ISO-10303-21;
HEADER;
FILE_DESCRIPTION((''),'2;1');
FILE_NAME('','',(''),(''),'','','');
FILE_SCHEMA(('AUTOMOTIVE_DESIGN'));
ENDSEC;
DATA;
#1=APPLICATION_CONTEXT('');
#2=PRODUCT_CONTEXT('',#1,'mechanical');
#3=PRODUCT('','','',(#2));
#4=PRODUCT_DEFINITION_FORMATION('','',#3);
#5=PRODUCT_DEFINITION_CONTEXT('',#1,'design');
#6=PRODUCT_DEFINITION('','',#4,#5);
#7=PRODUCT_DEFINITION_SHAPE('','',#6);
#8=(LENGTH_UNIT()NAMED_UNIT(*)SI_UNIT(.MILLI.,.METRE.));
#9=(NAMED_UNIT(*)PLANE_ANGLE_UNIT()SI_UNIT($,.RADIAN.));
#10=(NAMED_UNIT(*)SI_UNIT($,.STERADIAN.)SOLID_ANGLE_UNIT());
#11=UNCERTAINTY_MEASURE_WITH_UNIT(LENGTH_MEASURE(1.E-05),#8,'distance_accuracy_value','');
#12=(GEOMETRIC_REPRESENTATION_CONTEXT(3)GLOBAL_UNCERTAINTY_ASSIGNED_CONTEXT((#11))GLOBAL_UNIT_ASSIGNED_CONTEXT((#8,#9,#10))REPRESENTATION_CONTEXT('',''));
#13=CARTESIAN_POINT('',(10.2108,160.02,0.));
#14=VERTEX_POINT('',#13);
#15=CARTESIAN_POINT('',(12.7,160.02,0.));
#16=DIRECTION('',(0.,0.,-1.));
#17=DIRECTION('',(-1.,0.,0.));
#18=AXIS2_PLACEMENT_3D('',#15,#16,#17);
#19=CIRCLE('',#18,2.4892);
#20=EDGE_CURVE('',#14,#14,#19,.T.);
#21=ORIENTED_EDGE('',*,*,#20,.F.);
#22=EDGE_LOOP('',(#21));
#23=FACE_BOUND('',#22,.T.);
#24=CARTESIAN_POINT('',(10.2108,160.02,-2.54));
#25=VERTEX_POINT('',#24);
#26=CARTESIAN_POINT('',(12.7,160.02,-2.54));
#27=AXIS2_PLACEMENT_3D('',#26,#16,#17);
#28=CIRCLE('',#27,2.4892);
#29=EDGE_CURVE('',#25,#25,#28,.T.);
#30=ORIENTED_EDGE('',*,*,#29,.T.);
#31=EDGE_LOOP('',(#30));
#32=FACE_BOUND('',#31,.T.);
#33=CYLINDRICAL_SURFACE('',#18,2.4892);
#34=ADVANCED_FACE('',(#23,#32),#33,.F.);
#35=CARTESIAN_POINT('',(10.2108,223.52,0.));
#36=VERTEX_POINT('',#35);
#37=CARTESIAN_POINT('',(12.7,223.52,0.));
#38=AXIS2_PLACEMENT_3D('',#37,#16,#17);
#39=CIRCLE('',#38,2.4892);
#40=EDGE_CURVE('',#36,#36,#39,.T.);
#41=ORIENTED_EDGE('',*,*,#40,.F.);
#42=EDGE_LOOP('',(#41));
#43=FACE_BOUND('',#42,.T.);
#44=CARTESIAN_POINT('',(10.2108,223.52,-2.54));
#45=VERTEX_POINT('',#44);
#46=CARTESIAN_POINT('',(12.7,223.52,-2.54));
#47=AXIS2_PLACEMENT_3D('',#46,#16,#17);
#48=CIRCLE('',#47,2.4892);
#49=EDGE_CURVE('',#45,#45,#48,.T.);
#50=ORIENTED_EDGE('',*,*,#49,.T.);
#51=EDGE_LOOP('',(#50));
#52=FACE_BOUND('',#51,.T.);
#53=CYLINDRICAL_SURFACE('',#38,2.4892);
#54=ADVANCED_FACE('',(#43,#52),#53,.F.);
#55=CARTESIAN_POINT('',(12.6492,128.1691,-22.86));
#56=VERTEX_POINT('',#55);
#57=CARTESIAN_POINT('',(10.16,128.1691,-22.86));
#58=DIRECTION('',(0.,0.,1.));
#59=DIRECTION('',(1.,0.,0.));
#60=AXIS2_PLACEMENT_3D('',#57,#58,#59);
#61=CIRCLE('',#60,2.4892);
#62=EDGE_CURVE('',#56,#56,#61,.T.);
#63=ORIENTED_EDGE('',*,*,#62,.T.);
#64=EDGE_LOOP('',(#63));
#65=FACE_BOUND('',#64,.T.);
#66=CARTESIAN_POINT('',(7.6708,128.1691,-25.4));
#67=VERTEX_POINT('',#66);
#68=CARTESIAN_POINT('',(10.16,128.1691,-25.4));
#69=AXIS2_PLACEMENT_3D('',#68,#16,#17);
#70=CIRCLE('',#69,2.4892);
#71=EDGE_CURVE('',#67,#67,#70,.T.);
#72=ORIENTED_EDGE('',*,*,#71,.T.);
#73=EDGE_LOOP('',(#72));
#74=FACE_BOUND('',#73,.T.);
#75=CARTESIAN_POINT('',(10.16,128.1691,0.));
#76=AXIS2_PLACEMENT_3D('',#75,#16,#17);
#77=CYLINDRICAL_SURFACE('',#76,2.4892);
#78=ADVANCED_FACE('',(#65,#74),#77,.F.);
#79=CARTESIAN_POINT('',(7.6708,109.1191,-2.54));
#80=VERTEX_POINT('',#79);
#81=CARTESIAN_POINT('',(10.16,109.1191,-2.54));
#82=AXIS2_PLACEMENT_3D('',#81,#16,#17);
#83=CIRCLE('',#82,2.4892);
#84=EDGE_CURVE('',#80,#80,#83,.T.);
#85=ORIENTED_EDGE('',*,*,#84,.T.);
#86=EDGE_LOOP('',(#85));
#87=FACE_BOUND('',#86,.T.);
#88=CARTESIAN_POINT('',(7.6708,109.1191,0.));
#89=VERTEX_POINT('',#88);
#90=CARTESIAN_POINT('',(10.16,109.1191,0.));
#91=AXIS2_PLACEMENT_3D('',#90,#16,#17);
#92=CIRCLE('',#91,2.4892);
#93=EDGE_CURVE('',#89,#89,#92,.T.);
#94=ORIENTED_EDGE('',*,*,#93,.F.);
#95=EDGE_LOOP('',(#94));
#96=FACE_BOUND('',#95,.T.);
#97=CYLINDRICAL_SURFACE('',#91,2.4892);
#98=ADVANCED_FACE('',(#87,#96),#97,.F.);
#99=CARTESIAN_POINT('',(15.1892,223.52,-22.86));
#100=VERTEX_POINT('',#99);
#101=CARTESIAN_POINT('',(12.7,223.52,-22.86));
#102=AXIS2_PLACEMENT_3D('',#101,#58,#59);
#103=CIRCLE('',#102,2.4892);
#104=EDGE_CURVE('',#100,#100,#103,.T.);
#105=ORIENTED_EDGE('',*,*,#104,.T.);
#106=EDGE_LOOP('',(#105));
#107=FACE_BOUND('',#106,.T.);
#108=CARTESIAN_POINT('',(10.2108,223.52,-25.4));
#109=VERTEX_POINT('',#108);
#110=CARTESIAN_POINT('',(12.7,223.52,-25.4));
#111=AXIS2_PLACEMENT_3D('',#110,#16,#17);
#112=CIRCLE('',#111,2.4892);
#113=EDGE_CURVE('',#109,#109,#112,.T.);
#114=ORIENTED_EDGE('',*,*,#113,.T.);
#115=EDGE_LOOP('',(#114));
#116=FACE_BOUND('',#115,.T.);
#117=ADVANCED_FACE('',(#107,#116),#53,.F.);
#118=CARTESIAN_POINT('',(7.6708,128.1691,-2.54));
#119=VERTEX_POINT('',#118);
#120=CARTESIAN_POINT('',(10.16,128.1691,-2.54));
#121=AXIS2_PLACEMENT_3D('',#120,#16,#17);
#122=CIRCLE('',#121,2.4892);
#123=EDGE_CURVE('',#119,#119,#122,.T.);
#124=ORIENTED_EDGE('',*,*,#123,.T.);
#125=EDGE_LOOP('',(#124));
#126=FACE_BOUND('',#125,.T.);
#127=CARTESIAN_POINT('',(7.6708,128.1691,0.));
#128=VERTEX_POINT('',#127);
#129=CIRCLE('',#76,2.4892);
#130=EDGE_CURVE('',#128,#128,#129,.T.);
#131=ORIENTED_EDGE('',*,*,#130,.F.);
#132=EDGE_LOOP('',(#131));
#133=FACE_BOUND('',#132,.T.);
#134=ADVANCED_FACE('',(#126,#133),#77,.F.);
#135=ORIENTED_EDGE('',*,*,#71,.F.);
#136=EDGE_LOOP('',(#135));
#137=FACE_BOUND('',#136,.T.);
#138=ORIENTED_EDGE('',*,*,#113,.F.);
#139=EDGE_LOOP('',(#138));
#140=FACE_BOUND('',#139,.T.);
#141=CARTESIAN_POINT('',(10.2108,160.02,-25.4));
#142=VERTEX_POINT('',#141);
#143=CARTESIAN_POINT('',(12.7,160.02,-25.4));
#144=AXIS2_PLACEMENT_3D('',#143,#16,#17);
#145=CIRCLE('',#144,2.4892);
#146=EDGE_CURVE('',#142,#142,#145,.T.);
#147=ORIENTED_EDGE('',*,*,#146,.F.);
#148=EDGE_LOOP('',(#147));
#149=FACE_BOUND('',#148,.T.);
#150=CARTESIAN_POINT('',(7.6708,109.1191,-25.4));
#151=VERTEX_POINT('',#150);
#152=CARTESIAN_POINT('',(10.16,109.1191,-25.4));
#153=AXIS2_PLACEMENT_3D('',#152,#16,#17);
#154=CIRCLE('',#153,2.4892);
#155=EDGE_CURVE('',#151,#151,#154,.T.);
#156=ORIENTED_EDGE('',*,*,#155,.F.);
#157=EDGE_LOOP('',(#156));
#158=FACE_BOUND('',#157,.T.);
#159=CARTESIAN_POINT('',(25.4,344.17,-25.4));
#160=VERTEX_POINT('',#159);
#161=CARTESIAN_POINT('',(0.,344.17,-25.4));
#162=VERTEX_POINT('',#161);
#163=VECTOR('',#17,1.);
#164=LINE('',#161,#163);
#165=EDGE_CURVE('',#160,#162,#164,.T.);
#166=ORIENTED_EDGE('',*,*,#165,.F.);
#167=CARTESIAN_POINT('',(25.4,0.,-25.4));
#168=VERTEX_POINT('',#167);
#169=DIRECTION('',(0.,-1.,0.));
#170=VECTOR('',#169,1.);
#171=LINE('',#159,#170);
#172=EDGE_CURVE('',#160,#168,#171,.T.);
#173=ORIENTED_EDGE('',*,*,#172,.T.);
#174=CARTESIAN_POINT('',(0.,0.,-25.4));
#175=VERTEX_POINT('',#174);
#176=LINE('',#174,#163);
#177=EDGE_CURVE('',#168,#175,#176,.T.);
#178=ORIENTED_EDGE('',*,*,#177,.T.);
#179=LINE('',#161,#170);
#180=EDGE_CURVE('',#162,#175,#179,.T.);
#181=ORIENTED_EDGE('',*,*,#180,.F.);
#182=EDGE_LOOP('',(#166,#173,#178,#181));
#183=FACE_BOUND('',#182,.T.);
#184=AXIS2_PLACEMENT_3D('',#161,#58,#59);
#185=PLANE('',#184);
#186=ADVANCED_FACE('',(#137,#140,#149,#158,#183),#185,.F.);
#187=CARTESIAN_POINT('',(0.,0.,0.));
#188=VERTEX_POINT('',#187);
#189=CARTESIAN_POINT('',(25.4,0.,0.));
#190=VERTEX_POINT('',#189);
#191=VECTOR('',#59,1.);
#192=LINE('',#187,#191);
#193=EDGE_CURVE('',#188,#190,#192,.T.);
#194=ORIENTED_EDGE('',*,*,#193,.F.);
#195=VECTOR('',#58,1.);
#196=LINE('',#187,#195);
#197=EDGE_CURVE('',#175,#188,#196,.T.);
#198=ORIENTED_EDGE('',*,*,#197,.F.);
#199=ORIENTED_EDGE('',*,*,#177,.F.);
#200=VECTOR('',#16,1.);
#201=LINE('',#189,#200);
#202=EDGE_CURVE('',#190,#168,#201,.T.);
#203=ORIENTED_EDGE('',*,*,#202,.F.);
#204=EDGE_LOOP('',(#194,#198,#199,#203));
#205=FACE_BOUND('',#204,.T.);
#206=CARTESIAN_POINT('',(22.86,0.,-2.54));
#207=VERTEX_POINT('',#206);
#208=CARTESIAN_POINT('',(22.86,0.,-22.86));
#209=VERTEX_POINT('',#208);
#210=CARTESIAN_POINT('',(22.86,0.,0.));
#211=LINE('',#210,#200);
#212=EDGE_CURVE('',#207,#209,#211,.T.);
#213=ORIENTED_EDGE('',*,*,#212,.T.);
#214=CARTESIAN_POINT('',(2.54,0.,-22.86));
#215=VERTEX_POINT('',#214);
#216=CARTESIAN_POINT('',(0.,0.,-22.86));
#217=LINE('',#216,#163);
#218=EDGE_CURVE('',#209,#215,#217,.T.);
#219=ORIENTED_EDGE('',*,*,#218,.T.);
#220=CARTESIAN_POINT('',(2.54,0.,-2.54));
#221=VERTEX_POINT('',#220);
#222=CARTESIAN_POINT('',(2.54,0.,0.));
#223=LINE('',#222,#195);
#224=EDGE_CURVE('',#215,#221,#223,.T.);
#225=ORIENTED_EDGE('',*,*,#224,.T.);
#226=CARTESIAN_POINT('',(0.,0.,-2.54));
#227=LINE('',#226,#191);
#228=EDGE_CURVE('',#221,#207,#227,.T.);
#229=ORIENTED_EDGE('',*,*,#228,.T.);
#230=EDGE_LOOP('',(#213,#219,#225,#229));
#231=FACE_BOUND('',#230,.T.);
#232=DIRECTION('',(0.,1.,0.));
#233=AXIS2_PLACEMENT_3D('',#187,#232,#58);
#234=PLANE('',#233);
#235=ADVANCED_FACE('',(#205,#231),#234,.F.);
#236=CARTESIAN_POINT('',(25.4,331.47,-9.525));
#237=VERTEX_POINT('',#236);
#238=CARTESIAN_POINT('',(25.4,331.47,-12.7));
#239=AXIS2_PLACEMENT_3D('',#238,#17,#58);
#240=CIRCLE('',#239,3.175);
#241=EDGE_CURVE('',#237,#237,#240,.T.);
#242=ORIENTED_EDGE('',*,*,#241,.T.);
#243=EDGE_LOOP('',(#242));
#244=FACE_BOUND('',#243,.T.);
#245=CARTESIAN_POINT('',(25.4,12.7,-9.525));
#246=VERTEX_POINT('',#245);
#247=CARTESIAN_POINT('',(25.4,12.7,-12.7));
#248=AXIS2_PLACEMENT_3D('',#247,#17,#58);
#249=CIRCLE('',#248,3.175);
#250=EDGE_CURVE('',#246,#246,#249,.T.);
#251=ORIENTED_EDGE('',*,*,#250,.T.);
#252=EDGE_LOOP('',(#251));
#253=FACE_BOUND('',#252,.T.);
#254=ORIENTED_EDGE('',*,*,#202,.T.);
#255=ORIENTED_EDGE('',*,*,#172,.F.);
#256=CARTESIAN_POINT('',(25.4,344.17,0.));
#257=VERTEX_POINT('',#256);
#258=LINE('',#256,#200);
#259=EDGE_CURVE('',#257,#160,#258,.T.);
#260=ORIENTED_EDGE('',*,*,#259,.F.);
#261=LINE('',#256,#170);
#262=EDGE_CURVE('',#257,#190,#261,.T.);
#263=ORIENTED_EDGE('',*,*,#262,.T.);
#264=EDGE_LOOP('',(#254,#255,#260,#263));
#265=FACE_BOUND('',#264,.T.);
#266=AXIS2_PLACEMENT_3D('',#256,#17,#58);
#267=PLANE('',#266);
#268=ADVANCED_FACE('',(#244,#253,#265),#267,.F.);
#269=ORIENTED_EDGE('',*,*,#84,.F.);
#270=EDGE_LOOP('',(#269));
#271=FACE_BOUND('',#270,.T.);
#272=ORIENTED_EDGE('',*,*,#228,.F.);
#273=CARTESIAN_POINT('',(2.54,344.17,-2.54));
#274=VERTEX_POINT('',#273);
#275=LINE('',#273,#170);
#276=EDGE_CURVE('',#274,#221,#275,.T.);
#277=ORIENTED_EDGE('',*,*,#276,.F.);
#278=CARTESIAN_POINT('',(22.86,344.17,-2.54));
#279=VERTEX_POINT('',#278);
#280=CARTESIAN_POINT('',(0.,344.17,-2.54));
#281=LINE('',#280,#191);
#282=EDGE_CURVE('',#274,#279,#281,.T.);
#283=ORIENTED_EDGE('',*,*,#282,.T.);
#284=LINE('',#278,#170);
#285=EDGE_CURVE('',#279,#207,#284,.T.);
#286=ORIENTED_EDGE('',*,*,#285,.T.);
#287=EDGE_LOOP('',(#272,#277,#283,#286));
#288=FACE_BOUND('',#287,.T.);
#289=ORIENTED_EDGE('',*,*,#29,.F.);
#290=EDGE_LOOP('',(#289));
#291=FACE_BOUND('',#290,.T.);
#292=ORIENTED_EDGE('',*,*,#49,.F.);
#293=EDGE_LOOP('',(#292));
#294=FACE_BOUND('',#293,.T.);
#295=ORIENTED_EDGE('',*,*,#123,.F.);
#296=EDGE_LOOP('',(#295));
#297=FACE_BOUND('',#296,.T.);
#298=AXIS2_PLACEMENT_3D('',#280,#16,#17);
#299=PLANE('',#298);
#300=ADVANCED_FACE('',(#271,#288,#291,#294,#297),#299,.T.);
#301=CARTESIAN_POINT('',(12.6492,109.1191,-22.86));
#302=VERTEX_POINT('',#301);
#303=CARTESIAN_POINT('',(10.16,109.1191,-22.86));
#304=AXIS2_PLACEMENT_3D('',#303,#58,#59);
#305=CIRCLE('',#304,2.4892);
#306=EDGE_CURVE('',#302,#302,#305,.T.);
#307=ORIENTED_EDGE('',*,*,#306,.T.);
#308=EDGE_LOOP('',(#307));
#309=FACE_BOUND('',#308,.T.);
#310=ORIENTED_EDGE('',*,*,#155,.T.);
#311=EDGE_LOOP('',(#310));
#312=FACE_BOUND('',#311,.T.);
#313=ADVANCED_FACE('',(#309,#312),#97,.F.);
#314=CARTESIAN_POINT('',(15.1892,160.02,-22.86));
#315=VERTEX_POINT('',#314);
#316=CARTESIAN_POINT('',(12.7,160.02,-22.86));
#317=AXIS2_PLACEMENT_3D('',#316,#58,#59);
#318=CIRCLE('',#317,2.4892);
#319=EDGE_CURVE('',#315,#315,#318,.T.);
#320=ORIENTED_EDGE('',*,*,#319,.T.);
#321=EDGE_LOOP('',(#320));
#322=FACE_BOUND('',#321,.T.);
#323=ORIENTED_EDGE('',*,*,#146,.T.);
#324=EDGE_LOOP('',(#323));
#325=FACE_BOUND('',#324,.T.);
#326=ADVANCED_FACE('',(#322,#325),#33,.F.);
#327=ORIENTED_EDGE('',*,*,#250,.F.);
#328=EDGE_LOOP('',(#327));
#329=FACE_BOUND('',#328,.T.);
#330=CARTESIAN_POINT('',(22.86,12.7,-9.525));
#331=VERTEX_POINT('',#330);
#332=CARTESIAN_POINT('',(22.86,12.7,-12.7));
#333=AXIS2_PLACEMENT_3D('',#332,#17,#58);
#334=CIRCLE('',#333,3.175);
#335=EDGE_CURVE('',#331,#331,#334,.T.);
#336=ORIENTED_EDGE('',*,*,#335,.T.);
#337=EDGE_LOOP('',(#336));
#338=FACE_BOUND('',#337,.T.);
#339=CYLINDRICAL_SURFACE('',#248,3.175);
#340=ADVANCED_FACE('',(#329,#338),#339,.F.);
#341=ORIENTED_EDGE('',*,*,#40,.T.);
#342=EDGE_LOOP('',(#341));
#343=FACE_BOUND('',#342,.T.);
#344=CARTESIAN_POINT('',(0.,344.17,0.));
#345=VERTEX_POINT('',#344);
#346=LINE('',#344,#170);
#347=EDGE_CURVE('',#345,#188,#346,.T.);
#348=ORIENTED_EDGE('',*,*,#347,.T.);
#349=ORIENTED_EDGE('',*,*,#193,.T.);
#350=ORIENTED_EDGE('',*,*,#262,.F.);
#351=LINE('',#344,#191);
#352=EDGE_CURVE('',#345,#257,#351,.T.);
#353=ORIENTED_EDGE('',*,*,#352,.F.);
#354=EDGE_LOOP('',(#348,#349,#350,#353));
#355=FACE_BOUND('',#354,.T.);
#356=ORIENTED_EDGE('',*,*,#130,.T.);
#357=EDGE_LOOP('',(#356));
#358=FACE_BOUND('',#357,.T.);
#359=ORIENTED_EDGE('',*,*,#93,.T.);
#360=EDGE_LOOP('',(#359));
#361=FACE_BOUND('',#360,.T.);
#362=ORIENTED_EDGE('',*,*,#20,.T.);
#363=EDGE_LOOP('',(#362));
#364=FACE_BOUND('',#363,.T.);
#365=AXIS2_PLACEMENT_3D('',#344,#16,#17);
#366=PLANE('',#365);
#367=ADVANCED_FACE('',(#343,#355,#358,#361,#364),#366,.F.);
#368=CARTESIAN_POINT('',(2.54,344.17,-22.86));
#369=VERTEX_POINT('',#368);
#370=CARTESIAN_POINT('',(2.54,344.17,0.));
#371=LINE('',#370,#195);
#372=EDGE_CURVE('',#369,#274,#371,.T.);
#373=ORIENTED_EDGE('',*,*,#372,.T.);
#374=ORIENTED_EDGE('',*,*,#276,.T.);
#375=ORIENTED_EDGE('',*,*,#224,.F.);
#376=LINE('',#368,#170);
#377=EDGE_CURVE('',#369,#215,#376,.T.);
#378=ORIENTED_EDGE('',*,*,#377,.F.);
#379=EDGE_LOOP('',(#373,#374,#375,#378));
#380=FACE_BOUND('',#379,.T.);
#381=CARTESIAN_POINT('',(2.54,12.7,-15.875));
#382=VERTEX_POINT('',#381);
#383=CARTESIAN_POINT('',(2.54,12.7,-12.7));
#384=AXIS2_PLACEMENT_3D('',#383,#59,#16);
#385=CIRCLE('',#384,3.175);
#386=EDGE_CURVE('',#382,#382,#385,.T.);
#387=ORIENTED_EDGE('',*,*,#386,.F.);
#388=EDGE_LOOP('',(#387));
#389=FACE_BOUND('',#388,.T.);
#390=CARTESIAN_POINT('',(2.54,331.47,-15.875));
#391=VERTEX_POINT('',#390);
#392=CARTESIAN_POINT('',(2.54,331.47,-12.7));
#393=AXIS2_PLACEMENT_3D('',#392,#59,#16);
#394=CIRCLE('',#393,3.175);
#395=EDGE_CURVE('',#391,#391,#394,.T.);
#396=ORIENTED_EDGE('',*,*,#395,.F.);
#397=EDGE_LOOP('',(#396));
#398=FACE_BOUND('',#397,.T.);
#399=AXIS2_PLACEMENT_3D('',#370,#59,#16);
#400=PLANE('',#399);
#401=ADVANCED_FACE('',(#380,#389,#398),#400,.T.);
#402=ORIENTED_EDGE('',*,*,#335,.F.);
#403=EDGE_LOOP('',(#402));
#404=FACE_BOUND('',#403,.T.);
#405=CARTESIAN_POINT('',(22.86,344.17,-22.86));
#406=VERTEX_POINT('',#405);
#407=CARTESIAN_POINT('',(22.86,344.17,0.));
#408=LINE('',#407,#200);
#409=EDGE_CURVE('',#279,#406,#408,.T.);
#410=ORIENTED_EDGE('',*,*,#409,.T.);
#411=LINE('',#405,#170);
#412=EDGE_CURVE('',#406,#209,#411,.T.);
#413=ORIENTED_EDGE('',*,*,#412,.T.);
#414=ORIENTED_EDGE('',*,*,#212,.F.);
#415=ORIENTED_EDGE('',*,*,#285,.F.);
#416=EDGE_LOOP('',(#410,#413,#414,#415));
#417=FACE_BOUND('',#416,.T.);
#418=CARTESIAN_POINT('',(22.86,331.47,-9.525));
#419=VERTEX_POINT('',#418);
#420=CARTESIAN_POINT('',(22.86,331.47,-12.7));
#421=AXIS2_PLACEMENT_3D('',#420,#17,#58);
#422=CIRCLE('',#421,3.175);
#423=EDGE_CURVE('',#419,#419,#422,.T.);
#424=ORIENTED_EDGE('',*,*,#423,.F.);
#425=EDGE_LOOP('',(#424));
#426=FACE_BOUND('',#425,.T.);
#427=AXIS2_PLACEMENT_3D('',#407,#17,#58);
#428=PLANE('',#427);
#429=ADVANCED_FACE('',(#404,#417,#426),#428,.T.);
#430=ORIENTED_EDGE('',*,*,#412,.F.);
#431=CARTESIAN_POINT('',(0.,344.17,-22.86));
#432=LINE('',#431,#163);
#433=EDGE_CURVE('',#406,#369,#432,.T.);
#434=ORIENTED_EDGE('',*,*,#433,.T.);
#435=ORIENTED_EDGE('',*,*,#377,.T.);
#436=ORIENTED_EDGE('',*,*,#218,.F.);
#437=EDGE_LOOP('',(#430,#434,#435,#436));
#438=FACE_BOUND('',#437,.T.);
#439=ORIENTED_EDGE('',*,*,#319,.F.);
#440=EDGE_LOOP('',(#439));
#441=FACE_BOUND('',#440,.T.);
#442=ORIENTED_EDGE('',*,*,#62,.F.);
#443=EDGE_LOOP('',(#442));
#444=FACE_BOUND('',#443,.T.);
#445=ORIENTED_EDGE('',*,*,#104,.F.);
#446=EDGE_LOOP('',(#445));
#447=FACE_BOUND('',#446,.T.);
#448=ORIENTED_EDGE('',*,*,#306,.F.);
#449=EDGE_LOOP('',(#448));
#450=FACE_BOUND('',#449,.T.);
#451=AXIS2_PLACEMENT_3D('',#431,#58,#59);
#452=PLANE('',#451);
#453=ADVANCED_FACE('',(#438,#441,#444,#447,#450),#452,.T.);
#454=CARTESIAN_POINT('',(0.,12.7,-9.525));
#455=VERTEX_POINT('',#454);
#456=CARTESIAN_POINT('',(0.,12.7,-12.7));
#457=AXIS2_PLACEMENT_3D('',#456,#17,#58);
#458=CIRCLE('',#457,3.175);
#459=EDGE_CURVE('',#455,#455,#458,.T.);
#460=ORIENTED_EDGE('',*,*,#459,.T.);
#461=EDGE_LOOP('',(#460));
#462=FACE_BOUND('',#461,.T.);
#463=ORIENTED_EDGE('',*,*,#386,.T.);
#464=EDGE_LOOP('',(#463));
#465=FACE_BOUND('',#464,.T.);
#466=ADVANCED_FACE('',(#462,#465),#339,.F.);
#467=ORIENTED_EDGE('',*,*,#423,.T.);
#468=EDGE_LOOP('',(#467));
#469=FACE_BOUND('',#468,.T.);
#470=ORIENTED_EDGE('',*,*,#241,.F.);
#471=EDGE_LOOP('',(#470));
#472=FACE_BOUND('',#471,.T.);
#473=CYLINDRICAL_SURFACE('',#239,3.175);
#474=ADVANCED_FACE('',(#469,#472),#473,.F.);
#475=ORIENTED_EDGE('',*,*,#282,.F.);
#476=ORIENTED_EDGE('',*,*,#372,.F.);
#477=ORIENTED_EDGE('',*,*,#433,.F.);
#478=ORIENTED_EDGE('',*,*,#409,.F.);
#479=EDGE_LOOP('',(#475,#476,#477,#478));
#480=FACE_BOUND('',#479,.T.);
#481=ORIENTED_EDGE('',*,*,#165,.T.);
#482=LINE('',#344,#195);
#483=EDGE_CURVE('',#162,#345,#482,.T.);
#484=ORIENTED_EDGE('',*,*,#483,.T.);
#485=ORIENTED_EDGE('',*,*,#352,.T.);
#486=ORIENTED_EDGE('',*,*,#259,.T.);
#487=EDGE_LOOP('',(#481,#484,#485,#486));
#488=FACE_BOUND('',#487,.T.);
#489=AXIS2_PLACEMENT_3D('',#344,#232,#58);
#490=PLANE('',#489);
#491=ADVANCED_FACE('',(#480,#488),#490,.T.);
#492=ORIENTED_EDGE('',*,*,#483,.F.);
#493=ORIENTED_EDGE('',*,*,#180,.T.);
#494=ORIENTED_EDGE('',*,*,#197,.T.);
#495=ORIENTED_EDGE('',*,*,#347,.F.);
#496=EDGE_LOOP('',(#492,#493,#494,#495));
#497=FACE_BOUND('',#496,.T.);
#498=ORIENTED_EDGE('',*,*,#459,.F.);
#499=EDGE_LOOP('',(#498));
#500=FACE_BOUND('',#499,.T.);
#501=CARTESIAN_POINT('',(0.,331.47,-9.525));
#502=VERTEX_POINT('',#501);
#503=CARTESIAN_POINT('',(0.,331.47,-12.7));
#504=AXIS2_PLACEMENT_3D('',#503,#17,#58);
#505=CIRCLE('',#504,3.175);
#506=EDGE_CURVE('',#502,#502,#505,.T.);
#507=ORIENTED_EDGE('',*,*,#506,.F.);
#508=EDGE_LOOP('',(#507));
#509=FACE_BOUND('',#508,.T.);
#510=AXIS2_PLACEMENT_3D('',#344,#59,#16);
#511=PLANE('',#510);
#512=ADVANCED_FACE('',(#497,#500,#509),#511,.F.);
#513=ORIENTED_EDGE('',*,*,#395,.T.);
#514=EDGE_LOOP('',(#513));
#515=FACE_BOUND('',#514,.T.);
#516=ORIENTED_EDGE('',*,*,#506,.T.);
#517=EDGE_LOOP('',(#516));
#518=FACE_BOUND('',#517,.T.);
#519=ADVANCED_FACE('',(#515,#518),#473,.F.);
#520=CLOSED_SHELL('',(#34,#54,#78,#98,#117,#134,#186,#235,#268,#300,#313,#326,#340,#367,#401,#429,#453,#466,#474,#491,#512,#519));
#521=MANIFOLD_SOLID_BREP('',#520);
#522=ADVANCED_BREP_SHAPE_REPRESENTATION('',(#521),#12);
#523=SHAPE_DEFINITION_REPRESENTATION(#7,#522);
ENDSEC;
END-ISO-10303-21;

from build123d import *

# Parameters (mm, degrees)
SKETCH1_W           = 25.4
SKETCH1_H           = 25.4
SKETCH1_W_2         = 20.32
SKETCH1_H_2         = 20.32
EXTRUDE_THIN1_DEPTH = 344.17
SKETCH2_R           = 2.4892
CUT_EXTRUDE1_DEPTH  = 26.4
SKETCH4_R           = 3.175
CUT_EXTRUDE3_DEPTH  = 26.4


with BuildPart() as part:
    # Sketch1 → Extrude-Thin1 (new body)
    with BuildSketch(Plane(origin=(0, 0, 0), x_dir=(1, 0, 0), z_dir=(0, 1, 0))):
        with Locations((12.7, 12.7)):
            Rectangle(SKETCH1_W, SKETCH1_H)
        with Locations((12.7, 12.7)):
            Rectangle(SKETCH1_W_2, SKETCH1_H_2, mode=Mode.SUBTRACT)
    extrude(amount=EXTRUDE_THIN1_DEPTH)

    # Sketch2 → Cut-Extrude1 (cut, through all)
    with BuildSketch(Plane(origin=(0, 0, -25.4), x_dir=(-1, 0, 0), z_dir=(0, 0, -1))):
        with Locations((-10.16, 109.1191)):
            Circle(SKETCH2_R)
        with Locations((-10.16, 128.1691)):
            Circle(SKETCH2_R)
        with Locations((-12.7, 160.02)):
            Circle(SKETCH2_R)
        with Locations((-12.7, 223.52)):
            Circle(SKETCH2_R)
    extrude(amount=-CUT_EXTRUDE1_DEPTH, mode=Mode.SUBTRACT)

    # Sketch4 → Cut-Extrude3 (cut, through all)
    with BuildSketch(Plane.ZY):
        with Locations((-12.7, 12.7)):
            Circle(SKETCH4_R)
        with Locations((-12.7, 331.47)):
            Circle(SKETCH4_R)
    extrude(amount=-CUT_EXTRUDE3_DEPTH, mode=Mode.SUBTRACT)


solid = part.part
